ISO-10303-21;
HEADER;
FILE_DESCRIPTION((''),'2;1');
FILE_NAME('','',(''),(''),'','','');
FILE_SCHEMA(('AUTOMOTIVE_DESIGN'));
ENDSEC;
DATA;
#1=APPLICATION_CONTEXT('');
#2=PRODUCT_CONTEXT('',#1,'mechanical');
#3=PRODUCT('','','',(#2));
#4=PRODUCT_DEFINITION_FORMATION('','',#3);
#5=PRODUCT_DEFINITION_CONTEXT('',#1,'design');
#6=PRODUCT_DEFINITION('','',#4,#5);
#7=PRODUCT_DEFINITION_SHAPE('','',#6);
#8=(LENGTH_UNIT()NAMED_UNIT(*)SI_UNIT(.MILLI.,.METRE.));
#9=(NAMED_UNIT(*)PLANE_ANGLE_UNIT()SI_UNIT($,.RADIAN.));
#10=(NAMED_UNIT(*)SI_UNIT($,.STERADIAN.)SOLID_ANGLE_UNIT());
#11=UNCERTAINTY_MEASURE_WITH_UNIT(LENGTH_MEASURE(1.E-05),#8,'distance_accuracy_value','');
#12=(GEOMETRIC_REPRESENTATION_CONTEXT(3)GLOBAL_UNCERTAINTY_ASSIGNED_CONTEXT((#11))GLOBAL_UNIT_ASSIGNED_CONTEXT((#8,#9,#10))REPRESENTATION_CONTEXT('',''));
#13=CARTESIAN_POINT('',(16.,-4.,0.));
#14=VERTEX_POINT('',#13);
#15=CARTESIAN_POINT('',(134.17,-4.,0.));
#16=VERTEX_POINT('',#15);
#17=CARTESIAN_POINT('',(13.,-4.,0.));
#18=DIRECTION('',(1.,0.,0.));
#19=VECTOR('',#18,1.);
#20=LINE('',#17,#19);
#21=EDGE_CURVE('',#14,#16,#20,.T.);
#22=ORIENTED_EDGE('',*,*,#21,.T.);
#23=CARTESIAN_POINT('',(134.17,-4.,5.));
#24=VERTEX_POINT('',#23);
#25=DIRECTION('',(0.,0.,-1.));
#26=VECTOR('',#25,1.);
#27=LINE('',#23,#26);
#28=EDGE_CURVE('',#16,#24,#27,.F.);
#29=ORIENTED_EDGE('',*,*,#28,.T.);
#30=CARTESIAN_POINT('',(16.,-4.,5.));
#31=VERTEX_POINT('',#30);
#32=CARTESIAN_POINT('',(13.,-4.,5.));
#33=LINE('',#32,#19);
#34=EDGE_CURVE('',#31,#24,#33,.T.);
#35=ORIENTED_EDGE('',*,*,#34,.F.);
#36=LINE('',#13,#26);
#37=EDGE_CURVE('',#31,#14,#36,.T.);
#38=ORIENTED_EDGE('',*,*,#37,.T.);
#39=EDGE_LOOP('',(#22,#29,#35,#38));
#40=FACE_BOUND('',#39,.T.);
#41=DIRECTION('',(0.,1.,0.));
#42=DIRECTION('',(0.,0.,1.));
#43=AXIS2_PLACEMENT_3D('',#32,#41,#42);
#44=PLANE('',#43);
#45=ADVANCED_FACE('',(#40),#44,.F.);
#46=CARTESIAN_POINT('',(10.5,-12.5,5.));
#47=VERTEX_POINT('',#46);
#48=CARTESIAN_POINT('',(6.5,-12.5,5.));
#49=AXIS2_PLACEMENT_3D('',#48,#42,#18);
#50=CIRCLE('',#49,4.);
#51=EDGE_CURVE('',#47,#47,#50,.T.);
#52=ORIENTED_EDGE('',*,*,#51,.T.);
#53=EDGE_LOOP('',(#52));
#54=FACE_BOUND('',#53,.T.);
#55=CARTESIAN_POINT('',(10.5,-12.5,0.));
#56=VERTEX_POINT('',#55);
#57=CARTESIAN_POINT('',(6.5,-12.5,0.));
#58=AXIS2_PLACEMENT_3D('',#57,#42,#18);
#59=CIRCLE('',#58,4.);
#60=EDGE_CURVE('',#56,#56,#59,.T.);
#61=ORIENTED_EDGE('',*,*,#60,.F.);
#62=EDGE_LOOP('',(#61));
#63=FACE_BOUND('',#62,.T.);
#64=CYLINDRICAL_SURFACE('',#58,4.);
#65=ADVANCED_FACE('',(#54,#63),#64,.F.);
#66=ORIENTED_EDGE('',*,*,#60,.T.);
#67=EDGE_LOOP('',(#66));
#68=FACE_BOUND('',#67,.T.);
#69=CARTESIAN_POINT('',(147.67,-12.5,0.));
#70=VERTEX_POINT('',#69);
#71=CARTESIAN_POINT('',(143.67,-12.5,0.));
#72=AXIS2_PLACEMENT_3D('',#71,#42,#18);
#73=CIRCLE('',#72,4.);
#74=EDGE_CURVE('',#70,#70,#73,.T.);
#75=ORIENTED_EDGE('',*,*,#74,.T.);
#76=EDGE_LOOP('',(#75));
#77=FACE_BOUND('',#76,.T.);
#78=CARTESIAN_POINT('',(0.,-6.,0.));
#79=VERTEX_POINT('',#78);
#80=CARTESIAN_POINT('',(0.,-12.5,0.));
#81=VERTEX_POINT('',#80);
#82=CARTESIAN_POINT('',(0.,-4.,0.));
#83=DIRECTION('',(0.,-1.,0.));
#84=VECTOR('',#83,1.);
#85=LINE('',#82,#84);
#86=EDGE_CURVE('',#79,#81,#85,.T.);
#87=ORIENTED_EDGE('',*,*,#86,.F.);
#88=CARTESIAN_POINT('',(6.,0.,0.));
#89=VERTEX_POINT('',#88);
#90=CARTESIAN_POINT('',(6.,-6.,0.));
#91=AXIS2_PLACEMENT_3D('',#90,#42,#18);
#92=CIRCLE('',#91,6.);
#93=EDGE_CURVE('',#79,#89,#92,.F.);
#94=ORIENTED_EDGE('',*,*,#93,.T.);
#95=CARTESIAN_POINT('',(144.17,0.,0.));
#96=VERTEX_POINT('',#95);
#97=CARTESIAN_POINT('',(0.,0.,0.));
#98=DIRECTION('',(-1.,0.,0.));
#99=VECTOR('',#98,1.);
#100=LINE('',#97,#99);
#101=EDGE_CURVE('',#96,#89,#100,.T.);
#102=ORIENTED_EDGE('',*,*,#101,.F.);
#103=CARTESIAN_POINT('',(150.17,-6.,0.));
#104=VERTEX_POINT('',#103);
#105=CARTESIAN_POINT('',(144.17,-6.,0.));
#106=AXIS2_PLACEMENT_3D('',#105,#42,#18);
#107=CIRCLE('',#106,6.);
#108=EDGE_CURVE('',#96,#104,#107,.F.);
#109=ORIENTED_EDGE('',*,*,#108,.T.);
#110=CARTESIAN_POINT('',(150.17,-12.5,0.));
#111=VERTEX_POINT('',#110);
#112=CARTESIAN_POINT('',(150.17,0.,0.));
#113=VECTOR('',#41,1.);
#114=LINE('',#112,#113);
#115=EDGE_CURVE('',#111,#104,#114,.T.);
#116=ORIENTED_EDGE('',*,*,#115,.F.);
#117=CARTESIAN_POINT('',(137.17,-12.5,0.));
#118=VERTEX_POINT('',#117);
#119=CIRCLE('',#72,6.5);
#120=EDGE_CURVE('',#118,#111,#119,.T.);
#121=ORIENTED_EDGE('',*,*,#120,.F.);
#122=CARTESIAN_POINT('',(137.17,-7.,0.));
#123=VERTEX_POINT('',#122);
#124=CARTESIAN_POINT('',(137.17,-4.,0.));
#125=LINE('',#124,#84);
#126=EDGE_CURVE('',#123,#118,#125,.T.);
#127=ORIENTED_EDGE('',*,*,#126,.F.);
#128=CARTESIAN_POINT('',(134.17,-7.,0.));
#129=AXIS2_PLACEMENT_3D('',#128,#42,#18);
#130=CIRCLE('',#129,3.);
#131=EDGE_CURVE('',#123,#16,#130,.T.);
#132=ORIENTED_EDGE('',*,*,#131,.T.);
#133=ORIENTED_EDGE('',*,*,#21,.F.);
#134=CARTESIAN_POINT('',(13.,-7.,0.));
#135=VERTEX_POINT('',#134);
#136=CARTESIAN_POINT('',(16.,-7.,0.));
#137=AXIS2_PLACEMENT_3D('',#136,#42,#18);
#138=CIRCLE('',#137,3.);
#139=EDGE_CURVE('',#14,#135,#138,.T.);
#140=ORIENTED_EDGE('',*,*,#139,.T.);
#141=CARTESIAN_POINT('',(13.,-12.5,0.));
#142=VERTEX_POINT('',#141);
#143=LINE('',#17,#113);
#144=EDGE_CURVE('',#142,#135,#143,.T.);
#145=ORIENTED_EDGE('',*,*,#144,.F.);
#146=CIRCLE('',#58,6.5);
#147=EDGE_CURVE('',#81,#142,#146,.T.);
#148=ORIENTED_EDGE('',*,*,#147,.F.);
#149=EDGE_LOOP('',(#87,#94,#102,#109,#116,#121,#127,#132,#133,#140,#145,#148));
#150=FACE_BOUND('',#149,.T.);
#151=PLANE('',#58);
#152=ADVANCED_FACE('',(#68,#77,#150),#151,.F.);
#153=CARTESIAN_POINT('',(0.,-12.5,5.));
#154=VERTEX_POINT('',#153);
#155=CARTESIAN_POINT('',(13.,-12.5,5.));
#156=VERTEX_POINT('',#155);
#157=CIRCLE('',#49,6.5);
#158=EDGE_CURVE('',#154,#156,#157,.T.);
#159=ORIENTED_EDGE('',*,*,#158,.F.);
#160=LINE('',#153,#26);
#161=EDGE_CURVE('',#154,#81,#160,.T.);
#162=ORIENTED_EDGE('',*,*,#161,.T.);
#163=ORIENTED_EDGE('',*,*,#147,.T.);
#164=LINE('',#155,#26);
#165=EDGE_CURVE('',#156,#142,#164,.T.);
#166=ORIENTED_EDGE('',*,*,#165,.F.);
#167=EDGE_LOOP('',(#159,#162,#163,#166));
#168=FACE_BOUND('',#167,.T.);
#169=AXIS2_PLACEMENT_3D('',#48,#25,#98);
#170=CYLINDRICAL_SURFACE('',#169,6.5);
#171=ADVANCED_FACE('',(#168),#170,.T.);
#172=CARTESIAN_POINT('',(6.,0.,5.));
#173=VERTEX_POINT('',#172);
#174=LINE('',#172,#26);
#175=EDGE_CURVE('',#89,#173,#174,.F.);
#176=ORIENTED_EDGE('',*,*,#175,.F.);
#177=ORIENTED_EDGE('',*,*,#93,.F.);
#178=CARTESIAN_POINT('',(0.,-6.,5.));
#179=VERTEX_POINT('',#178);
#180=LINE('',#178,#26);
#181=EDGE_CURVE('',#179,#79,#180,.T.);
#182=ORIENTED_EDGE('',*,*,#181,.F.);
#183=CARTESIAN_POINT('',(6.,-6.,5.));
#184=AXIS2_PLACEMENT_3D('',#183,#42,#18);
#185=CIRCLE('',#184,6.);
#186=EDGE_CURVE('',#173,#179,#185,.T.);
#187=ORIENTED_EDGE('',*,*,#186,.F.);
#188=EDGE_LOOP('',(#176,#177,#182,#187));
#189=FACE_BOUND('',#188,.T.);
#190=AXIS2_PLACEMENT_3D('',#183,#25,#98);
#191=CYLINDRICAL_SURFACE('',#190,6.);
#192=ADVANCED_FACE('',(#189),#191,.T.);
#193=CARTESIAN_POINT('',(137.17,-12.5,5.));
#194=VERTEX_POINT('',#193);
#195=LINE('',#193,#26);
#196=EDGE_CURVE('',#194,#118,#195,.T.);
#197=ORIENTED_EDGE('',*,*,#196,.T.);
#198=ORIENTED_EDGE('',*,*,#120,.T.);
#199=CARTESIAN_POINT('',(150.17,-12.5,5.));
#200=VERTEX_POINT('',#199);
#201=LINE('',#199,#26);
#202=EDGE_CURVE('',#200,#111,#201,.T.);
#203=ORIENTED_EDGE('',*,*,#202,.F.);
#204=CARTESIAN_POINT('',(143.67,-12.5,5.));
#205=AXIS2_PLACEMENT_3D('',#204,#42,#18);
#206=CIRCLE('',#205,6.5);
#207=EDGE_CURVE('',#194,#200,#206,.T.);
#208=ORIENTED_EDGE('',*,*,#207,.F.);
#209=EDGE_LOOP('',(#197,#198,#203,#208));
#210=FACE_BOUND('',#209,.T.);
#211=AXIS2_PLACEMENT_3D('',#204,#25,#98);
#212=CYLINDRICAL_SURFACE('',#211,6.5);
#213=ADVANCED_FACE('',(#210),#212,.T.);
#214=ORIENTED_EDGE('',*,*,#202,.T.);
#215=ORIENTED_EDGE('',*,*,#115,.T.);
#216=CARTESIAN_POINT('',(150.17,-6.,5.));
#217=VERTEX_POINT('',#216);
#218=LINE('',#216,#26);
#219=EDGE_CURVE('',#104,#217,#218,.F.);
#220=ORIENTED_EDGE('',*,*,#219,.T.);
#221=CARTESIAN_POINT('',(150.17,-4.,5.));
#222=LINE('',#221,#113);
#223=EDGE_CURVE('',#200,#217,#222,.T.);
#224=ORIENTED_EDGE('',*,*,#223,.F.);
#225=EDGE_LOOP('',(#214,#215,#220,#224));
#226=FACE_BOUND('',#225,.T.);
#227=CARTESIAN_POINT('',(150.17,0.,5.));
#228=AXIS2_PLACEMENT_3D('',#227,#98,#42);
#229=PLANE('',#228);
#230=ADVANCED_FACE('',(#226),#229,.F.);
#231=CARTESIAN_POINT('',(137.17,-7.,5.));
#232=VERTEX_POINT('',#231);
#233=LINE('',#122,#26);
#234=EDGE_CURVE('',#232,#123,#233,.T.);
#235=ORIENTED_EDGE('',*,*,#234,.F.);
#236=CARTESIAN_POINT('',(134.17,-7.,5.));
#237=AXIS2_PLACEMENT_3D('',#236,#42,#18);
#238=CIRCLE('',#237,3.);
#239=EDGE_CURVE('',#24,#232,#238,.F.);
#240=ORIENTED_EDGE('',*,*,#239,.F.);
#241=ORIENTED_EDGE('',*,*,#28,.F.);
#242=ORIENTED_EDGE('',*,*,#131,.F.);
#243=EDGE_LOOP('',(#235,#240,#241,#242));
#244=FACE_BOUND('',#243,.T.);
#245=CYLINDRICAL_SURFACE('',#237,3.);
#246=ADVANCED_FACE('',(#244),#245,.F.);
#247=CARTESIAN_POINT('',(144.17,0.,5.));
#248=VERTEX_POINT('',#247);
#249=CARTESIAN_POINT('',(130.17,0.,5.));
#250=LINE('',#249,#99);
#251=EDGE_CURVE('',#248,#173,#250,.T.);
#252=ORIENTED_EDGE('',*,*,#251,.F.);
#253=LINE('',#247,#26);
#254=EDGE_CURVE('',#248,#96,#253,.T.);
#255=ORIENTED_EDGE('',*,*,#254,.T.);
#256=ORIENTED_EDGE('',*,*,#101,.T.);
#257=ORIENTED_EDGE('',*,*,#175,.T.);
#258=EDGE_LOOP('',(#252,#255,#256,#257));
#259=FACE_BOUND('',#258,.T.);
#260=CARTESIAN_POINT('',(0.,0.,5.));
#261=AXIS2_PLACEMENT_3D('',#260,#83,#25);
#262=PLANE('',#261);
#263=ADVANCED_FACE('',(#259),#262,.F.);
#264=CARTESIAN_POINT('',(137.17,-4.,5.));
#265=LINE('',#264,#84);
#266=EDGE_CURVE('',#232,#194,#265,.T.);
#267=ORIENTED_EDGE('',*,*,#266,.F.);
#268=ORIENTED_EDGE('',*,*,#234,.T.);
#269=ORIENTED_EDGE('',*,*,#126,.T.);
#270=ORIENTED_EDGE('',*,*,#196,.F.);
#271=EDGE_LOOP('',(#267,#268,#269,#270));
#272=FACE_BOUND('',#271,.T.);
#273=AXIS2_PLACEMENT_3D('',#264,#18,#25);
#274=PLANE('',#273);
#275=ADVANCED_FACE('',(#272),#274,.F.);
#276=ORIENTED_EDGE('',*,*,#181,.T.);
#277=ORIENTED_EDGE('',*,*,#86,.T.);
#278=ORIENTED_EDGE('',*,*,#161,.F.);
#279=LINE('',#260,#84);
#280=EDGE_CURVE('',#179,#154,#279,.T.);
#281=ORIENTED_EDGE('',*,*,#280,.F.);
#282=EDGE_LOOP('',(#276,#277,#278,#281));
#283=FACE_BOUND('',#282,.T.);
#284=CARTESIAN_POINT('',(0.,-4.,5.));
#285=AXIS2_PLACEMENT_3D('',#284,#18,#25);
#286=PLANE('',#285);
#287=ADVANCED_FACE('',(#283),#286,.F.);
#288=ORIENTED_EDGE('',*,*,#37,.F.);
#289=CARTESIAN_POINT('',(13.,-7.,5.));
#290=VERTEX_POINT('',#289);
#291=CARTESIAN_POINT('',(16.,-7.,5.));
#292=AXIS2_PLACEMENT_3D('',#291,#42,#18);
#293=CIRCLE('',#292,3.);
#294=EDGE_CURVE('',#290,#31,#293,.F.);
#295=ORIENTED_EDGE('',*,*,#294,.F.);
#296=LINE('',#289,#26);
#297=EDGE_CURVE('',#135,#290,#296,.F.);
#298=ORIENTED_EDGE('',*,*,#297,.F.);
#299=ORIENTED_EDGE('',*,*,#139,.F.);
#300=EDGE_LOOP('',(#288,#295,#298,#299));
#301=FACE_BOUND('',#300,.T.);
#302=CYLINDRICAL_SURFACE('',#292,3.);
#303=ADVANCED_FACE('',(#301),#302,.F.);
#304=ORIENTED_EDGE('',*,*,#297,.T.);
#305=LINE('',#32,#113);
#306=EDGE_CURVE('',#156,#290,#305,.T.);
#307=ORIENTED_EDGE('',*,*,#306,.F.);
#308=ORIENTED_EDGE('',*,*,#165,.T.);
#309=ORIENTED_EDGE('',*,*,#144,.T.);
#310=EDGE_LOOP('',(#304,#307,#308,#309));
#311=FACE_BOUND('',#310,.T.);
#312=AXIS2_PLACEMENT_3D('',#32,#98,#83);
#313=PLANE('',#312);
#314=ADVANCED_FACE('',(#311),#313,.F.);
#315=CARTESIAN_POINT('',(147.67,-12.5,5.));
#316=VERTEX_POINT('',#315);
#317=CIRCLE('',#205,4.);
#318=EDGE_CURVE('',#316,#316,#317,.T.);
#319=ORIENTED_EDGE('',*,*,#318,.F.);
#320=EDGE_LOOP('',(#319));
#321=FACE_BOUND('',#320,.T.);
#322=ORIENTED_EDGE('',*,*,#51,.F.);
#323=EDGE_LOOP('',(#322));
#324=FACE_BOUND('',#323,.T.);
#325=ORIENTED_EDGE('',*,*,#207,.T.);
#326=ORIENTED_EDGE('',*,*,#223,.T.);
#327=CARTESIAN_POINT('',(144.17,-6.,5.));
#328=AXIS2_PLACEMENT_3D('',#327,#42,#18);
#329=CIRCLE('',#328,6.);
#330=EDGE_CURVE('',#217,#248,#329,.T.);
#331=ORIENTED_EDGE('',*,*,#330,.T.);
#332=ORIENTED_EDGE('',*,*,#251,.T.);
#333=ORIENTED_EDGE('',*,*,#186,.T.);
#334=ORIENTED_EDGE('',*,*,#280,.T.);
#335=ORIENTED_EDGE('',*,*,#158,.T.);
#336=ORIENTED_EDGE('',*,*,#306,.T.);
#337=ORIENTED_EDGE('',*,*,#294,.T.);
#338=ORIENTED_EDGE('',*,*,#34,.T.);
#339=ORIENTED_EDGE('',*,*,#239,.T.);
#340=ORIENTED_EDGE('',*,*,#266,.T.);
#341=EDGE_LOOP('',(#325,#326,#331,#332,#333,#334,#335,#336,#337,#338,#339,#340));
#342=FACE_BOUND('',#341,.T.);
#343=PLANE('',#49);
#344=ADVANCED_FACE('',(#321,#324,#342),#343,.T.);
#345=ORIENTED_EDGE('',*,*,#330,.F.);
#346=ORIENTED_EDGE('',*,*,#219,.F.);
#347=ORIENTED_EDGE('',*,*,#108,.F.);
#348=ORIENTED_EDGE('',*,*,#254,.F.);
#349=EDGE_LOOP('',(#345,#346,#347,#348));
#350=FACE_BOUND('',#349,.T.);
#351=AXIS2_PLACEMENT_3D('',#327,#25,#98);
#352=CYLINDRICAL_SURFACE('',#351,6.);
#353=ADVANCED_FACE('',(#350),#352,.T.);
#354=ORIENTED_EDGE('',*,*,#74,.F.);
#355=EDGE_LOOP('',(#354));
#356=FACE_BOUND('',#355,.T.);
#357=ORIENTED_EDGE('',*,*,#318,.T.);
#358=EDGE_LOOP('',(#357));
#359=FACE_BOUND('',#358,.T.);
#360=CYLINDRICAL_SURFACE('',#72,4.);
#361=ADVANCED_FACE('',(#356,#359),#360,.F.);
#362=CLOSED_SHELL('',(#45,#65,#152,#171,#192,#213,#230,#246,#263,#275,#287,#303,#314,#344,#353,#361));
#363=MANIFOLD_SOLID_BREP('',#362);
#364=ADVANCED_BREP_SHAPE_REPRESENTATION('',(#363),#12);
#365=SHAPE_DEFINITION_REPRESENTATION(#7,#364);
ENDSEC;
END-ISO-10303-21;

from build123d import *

# Parameters (mm, degrees)
BOSS_EXTRUDE1_DEPTH = 5
SKETCH2_R           = 4
CUT_EXTRUDE1_DEPTH  = 152.449757015
FILLET1_R           = 6
FILLET2_R           = 3


with BuildPart() as part:
    # Sketch1 → Boss-Extrude1 (new body)
    with BuildSketch(Plane.XY):
        with BuildLine():
            Line((0, 0), (130.17, 0))
            Line((130.17, 0), (150.17, 0))
            Line((150.17, 0), (150.17, -4))
            Line((150.17, -4), (150.17, -12.5))
            ThreePointArc((150.17, -12.5), (143.67, -19), (137.17, -12.5))
            Line((137.17, -12.5), (137.17, -4))
            Line((137.17, -4), (13, -4))
            Line((13, -4), (13, -12.5))
            ThreePointArc((13, -12.5), (6.5, -19), (0, -12.5))
            Line((0, -12.5), (0, -4))
            Line((0, -4), (0, 0))
        make_face()
    extrude(amount=BOSS_EXTRUDE1_DEPTH)

    # Sketch2 → Cut-Extrude1 (cut, through all)
    with BuildSketch(Plane.XY.offset(5)):
        with Locations((6.5, -12.5)):
            Circle(SKETCH2_R)
        with Locations((143.67, -12.5)):
            Circle(SKETCH2_R)
    extrude(amount=-CUT_EXTRUDE1_DEPTH, mode=Mode.SUBTRACT)

    # Fillet1
    fillet1_edges = [part.edges().sort_by_distance(p)[0] for p in [
        (0, 0, 2.5),
        (150.17, 0, 2.5),
    ]]
    fillet(fillet1_edges, radius=FILLET1_R)

    # Fillet2
    fillet2_edges = [part.edges().sort_by_distance(p)[0] for p in [
        (137.17, -4, 2.5),
        (13, -4, 2.5),
    ]]
    fillet(fillet2_edges, radius=FILLET2_R)


solid = part.part
